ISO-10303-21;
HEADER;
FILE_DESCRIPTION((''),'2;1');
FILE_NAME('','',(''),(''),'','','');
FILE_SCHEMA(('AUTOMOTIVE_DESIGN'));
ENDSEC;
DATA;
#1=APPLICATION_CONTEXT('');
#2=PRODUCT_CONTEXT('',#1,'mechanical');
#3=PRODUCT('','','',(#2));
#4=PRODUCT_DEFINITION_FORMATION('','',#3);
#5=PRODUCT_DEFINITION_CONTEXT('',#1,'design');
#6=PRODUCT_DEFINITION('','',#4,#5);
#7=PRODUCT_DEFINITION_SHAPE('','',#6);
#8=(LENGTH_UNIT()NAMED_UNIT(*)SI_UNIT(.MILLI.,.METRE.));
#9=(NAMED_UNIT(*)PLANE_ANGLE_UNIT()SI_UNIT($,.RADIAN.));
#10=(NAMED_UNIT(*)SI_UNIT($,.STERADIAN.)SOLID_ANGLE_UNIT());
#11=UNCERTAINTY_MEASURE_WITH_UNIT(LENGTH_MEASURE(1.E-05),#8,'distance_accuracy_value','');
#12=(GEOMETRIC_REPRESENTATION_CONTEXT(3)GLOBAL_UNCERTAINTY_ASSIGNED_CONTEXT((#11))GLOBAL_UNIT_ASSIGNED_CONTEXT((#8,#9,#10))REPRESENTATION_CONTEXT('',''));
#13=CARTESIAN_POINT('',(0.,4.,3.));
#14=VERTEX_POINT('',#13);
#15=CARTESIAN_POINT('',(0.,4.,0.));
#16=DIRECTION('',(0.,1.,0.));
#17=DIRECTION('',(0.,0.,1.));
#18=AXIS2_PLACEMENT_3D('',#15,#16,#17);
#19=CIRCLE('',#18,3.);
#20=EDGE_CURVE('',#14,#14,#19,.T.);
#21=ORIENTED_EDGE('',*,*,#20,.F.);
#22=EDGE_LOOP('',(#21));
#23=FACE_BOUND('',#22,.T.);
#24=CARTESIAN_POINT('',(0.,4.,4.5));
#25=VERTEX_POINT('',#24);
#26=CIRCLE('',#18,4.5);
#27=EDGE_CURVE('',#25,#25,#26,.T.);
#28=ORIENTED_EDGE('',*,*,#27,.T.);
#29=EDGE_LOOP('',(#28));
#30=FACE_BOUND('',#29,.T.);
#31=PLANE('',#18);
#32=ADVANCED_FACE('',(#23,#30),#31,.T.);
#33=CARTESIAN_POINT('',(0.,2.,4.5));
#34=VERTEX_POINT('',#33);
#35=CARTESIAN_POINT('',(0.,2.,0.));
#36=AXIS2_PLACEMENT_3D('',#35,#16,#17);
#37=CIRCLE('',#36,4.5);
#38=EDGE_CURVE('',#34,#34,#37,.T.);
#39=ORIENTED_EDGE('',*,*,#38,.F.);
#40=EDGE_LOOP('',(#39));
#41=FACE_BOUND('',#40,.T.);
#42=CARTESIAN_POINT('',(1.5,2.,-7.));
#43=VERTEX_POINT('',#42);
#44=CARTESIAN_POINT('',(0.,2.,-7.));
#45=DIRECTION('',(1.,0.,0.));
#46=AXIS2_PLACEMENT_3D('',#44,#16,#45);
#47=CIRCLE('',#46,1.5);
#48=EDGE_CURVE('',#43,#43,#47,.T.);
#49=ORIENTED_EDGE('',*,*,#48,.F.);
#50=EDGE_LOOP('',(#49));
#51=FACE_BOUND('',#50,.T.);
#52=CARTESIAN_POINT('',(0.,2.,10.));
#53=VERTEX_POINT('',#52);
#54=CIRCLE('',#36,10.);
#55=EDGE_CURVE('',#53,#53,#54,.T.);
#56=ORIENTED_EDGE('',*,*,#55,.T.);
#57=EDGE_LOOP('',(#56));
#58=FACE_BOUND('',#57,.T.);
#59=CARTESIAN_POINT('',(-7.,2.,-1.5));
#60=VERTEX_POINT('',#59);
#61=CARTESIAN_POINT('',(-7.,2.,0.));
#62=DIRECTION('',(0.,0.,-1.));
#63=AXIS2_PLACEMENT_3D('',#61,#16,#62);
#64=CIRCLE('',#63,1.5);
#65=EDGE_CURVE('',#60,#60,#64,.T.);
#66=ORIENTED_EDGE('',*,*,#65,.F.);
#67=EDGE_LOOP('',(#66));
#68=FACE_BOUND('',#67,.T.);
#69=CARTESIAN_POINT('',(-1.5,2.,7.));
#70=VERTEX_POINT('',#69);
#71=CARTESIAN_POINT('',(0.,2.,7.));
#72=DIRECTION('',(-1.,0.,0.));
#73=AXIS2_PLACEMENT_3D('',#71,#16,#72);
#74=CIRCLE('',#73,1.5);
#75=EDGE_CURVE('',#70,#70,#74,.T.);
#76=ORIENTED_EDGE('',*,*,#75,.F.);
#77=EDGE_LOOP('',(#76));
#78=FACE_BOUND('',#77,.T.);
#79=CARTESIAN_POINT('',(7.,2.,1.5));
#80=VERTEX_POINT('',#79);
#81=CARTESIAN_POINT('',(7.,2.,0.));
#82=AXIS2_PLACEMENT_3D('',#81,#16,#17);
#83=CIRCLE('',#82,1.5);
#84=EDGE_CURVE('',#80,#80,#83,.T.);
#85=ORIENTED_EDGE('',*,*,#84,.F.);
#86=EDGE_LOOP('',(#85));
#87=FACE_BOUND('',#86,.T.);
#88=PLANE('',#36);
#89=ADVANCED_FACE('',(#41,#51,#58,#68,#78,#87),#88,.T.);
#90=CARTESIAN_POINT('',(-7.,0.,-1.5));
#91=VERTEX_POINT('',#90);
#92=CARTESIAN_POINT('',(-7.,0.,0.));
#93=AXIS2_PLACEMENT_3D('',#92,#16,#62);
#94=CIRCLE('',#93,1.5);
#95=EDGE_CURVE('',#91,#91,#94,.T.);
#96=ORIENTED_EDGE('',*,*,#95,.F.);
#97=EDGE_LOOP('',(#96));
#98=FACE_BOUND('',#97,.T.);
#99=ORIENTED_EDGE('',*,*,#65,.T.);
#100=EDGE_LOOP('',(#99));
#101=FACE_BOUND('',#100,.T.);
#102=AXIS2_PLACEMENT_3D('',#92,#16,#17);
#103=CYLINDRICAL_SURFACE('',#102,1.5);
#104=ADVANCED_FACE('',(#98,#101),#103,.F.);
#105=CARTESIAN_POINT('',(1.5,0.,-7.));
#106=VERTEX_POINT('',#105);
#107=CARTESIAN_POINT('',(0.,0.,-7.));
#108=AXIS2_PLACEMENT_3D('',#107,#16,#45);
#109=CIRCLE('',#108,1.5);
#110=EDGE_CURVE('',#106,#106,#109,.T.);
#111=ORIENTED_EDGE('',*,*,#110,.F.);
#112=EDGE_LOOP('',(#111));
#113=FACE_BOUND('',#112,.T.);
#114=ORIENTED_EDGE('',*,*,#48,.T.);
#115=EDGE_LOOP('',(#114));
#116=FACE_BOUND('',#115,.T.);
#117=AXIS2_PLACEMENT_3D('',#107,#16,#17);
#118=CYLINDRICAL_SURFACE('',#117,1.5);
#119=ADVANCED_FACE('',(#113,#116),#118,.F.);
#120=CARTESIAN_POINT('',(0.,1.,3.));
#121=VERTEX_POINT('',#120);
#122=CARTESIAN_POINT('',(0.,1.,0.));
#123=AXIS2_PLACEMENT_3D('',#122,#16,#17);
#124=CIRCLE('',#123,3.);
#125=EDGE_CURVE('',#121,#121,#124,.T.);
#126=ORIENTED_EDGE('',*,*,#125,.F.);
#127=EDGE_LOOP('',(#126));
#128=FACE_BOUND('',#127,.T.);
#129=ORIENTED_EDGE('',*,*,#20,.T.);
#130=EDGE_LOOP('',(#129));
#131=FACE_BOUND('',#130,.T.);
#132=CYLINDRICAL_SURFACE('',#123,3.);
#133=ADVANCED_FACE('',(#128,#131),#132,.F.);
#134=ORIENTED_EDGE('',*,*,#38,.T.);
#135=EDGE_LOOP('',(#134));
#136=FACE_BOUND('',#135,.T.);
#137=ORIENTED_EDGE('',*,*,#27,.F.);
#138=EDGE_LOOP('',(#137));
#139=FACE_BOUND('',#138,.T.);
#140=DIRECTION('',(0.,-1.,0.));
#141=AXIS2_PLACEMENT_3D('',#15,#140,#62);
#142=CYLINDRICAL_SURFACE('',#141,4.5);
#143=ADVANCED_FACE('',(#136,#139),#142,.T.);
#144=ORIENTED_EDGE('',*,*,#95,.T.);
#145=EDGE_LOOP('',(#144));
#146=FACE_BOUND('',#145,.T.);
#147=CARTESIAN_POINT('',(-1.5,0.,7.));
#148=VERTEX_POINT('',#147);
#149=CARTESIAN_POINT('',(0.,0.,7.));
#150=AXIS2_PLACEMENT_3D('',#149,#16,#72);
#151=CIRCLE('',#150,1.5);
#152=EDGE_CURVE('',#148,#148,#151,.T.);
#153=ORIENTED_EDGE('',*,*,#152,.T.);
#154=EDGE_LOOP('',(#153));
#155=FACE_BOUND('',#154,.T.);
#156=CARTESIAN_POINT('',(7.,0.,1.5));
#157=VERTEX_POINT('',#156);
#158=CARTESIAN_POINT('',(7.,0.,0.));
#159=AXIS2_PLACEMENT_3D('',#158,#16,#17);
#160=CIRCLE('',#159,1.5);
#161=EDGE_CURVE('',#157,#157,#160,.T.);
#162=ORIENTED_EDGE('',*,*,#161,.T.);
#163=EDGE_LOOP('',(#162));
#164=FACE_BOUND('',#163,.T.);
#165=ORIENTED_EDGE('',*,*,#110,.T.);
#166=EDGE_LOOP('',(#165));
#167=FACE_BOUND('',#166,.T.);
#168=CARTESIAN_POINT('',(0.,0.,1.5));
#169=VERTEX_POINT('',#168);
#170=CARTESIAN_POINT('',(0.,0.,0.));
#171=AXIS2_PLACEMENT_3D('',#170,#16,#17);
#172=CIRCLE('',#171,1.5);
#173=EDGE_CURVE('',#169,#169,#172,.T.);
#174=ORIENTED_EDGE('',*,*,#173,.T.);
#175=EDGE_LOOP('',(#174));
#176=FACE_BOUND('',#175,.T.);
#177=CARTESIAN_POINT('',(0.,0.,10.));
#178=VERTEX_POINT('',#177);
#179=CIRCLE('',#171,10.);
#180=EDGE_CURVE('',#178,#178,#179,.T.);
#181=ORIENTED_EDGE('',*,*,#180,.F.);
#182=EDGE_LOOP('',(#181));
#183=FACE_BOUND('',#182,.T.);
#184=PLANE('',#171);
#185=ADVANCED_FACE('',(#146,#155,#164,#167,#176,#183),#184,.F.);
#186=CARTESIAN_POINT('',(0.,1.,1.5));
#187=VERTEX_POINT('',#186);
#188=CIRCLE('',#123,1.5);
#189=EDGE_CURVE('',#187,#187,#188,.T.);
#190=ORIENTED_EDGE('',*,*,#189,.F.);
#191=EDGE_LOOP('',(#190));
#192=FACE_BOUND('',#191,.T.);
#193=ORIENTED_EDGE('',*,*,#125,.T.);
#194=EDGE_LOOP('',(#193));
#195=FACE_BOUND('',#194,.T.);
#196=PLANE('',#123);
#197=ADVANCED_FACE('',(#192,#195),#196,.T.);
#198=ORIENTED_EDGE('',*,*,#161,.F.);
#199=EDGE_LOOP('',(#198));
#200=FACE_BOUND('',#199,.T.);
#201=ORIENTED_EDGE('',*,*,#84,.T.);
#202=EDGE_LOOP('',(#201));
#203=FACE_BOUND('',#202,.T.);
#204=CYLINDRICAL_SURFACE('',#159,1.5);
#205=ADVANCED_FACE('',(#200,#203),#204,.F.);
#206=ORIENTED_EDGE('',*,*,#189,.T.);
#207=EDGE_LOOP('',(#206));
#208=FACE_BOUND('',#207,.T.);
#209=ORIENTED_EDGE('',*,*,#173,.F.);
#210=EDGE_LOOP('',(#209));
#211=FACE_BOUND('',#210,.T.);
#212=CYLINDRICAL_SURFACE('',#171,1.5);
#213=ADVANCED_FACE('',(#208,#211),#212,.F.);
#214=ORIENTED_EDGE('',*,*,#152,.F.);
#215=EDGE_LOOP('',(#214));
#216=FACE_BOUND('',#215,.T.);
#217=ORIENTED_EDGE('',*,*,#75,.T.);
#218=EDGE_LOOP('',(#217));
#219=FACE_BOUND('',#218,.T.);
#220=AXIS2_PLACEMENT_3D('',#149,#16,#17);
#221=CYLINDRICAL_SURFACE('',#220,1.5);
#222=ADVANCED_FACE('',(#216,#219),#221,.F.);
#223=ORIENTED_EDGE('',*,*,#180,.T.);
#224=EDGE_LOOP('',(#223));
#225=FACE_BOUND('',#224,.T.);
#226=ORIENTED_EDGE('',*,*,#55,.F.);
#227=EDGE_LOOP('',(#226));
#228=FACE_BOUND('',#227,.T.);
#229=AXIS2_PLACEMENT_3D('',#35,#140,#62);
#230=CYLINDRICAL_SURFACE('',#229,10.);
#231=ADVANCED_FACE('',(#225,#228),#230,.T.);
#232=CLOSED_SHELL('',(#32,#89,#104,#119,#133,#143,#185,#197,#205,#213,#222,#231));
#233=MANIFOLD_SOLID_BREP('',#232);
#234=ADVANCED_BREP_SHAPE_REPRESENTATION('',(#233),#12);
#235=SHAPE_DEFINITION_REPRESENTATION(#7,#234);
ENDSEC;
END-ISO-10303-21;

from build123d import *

# Parameters (mm, degrees)
SKETCH_1_R               = 10
EXTRUDE_351_DEPTH        = 2
SKETCH_2_R               = 4.5
EXTRUDE_436_DEPTH        = 2
SKETCH_3_R               = 3
CUT_EXTRUDE_526_DEPTH    = 3
SKETCH_4_R               = 1.5
CUT_EXTRUDE_623_DEPTH    = 15.456832295
SKETCH_5_R               = 1.5
CUT_EXTRUDE_727_DEPTH    = 15.282856857
PATTERN_CIRCULAR_1_COUNT = 4


with BuildPart() as part:
    # Эскиз1 → Extrude 351 (new body)
    with BuildSketch(Plane(origin=(0, 0, 0), x_dir=(1, 0, 0), z_dir=(0, 1, 0))):
        with Locations(Location((0, 0, 0), (0, 0, 270))):
            Circle(SKETCH_1_R)
    extrude(amount=EXTRUDE_351_DEPTH)

    # Эскиз2 → Extrude 436 (add)
    with BuildSketch(Plane(origin=(0, 2, 0), x_dir=(1, 0, 0), z_dir=(0, 1, 0))):
        with Locations(Location((0, 0, 0), (0, 0, 270))):
            Circle(SKETCH_2_R)
    extrude(amount=EXTRUDE_436_DEPTH)

    # Эскиз3 → Cut-Extrude 526 (cut)
    with BuildSketch(Plane(origin=(0, 4, 0), x_dir=(1, 0, 0), z_dir=(0, 1, 0))):
        with Locations(Location((0, 0, 0), (0, 0, 270))):
            Circle(SKETCH_3_R)
    extrude(amount=-CUT_EXTRUDE_526_DEPTH, mode=Mode.SUBTRACT)

    # Эскиз4 → Cut-Extrude 623 (cut, through all)
    with BuildSketch(Plane(origin=(0, 1, 0), x_dir=(1, 0, 0), z_dir=(0, 1, 0))):
        with Locations(Location((0, 0, 0), (0, 0, 270))):
            Circle(SKETCH_4_R)
    extrude(amount=-CUT_EXTRUDE_623_DEPTH, mode=Mode.SUBTRACT)

    # Эскиз5 → Cut-Extrude 727 (cut, through all)
    with BuildSketch(Plane(origin=(0, 2, 0), x_dir=(1, 0, 0), z_dir=(0, 1, 0))):
        with Locations(Location((7, 0, 0), (0, 0, 270))):
            Circle(SKETCH_5_R)
    cut_extrude_727 = extrude(amount=-CUT_EXTRUDE_727_DEPTH, mode=Mode.SUBTRACT)

    # Круговой массив1: Cut-Extrude 727 ×4 about axis
    pattern_circular_1_axis = Axis((0, 0, 0), (0, 1, 0))
    for i in range(1, PATTERN_CIRCULAR_1_COUNT):
        add(cut_extrude_727.rotate(pattern_circular_1_axis, i * 360 / PATTERN_CIRCULAR_1_COUNT), mode=Mode.SUBTRACT)


solid = part.part
